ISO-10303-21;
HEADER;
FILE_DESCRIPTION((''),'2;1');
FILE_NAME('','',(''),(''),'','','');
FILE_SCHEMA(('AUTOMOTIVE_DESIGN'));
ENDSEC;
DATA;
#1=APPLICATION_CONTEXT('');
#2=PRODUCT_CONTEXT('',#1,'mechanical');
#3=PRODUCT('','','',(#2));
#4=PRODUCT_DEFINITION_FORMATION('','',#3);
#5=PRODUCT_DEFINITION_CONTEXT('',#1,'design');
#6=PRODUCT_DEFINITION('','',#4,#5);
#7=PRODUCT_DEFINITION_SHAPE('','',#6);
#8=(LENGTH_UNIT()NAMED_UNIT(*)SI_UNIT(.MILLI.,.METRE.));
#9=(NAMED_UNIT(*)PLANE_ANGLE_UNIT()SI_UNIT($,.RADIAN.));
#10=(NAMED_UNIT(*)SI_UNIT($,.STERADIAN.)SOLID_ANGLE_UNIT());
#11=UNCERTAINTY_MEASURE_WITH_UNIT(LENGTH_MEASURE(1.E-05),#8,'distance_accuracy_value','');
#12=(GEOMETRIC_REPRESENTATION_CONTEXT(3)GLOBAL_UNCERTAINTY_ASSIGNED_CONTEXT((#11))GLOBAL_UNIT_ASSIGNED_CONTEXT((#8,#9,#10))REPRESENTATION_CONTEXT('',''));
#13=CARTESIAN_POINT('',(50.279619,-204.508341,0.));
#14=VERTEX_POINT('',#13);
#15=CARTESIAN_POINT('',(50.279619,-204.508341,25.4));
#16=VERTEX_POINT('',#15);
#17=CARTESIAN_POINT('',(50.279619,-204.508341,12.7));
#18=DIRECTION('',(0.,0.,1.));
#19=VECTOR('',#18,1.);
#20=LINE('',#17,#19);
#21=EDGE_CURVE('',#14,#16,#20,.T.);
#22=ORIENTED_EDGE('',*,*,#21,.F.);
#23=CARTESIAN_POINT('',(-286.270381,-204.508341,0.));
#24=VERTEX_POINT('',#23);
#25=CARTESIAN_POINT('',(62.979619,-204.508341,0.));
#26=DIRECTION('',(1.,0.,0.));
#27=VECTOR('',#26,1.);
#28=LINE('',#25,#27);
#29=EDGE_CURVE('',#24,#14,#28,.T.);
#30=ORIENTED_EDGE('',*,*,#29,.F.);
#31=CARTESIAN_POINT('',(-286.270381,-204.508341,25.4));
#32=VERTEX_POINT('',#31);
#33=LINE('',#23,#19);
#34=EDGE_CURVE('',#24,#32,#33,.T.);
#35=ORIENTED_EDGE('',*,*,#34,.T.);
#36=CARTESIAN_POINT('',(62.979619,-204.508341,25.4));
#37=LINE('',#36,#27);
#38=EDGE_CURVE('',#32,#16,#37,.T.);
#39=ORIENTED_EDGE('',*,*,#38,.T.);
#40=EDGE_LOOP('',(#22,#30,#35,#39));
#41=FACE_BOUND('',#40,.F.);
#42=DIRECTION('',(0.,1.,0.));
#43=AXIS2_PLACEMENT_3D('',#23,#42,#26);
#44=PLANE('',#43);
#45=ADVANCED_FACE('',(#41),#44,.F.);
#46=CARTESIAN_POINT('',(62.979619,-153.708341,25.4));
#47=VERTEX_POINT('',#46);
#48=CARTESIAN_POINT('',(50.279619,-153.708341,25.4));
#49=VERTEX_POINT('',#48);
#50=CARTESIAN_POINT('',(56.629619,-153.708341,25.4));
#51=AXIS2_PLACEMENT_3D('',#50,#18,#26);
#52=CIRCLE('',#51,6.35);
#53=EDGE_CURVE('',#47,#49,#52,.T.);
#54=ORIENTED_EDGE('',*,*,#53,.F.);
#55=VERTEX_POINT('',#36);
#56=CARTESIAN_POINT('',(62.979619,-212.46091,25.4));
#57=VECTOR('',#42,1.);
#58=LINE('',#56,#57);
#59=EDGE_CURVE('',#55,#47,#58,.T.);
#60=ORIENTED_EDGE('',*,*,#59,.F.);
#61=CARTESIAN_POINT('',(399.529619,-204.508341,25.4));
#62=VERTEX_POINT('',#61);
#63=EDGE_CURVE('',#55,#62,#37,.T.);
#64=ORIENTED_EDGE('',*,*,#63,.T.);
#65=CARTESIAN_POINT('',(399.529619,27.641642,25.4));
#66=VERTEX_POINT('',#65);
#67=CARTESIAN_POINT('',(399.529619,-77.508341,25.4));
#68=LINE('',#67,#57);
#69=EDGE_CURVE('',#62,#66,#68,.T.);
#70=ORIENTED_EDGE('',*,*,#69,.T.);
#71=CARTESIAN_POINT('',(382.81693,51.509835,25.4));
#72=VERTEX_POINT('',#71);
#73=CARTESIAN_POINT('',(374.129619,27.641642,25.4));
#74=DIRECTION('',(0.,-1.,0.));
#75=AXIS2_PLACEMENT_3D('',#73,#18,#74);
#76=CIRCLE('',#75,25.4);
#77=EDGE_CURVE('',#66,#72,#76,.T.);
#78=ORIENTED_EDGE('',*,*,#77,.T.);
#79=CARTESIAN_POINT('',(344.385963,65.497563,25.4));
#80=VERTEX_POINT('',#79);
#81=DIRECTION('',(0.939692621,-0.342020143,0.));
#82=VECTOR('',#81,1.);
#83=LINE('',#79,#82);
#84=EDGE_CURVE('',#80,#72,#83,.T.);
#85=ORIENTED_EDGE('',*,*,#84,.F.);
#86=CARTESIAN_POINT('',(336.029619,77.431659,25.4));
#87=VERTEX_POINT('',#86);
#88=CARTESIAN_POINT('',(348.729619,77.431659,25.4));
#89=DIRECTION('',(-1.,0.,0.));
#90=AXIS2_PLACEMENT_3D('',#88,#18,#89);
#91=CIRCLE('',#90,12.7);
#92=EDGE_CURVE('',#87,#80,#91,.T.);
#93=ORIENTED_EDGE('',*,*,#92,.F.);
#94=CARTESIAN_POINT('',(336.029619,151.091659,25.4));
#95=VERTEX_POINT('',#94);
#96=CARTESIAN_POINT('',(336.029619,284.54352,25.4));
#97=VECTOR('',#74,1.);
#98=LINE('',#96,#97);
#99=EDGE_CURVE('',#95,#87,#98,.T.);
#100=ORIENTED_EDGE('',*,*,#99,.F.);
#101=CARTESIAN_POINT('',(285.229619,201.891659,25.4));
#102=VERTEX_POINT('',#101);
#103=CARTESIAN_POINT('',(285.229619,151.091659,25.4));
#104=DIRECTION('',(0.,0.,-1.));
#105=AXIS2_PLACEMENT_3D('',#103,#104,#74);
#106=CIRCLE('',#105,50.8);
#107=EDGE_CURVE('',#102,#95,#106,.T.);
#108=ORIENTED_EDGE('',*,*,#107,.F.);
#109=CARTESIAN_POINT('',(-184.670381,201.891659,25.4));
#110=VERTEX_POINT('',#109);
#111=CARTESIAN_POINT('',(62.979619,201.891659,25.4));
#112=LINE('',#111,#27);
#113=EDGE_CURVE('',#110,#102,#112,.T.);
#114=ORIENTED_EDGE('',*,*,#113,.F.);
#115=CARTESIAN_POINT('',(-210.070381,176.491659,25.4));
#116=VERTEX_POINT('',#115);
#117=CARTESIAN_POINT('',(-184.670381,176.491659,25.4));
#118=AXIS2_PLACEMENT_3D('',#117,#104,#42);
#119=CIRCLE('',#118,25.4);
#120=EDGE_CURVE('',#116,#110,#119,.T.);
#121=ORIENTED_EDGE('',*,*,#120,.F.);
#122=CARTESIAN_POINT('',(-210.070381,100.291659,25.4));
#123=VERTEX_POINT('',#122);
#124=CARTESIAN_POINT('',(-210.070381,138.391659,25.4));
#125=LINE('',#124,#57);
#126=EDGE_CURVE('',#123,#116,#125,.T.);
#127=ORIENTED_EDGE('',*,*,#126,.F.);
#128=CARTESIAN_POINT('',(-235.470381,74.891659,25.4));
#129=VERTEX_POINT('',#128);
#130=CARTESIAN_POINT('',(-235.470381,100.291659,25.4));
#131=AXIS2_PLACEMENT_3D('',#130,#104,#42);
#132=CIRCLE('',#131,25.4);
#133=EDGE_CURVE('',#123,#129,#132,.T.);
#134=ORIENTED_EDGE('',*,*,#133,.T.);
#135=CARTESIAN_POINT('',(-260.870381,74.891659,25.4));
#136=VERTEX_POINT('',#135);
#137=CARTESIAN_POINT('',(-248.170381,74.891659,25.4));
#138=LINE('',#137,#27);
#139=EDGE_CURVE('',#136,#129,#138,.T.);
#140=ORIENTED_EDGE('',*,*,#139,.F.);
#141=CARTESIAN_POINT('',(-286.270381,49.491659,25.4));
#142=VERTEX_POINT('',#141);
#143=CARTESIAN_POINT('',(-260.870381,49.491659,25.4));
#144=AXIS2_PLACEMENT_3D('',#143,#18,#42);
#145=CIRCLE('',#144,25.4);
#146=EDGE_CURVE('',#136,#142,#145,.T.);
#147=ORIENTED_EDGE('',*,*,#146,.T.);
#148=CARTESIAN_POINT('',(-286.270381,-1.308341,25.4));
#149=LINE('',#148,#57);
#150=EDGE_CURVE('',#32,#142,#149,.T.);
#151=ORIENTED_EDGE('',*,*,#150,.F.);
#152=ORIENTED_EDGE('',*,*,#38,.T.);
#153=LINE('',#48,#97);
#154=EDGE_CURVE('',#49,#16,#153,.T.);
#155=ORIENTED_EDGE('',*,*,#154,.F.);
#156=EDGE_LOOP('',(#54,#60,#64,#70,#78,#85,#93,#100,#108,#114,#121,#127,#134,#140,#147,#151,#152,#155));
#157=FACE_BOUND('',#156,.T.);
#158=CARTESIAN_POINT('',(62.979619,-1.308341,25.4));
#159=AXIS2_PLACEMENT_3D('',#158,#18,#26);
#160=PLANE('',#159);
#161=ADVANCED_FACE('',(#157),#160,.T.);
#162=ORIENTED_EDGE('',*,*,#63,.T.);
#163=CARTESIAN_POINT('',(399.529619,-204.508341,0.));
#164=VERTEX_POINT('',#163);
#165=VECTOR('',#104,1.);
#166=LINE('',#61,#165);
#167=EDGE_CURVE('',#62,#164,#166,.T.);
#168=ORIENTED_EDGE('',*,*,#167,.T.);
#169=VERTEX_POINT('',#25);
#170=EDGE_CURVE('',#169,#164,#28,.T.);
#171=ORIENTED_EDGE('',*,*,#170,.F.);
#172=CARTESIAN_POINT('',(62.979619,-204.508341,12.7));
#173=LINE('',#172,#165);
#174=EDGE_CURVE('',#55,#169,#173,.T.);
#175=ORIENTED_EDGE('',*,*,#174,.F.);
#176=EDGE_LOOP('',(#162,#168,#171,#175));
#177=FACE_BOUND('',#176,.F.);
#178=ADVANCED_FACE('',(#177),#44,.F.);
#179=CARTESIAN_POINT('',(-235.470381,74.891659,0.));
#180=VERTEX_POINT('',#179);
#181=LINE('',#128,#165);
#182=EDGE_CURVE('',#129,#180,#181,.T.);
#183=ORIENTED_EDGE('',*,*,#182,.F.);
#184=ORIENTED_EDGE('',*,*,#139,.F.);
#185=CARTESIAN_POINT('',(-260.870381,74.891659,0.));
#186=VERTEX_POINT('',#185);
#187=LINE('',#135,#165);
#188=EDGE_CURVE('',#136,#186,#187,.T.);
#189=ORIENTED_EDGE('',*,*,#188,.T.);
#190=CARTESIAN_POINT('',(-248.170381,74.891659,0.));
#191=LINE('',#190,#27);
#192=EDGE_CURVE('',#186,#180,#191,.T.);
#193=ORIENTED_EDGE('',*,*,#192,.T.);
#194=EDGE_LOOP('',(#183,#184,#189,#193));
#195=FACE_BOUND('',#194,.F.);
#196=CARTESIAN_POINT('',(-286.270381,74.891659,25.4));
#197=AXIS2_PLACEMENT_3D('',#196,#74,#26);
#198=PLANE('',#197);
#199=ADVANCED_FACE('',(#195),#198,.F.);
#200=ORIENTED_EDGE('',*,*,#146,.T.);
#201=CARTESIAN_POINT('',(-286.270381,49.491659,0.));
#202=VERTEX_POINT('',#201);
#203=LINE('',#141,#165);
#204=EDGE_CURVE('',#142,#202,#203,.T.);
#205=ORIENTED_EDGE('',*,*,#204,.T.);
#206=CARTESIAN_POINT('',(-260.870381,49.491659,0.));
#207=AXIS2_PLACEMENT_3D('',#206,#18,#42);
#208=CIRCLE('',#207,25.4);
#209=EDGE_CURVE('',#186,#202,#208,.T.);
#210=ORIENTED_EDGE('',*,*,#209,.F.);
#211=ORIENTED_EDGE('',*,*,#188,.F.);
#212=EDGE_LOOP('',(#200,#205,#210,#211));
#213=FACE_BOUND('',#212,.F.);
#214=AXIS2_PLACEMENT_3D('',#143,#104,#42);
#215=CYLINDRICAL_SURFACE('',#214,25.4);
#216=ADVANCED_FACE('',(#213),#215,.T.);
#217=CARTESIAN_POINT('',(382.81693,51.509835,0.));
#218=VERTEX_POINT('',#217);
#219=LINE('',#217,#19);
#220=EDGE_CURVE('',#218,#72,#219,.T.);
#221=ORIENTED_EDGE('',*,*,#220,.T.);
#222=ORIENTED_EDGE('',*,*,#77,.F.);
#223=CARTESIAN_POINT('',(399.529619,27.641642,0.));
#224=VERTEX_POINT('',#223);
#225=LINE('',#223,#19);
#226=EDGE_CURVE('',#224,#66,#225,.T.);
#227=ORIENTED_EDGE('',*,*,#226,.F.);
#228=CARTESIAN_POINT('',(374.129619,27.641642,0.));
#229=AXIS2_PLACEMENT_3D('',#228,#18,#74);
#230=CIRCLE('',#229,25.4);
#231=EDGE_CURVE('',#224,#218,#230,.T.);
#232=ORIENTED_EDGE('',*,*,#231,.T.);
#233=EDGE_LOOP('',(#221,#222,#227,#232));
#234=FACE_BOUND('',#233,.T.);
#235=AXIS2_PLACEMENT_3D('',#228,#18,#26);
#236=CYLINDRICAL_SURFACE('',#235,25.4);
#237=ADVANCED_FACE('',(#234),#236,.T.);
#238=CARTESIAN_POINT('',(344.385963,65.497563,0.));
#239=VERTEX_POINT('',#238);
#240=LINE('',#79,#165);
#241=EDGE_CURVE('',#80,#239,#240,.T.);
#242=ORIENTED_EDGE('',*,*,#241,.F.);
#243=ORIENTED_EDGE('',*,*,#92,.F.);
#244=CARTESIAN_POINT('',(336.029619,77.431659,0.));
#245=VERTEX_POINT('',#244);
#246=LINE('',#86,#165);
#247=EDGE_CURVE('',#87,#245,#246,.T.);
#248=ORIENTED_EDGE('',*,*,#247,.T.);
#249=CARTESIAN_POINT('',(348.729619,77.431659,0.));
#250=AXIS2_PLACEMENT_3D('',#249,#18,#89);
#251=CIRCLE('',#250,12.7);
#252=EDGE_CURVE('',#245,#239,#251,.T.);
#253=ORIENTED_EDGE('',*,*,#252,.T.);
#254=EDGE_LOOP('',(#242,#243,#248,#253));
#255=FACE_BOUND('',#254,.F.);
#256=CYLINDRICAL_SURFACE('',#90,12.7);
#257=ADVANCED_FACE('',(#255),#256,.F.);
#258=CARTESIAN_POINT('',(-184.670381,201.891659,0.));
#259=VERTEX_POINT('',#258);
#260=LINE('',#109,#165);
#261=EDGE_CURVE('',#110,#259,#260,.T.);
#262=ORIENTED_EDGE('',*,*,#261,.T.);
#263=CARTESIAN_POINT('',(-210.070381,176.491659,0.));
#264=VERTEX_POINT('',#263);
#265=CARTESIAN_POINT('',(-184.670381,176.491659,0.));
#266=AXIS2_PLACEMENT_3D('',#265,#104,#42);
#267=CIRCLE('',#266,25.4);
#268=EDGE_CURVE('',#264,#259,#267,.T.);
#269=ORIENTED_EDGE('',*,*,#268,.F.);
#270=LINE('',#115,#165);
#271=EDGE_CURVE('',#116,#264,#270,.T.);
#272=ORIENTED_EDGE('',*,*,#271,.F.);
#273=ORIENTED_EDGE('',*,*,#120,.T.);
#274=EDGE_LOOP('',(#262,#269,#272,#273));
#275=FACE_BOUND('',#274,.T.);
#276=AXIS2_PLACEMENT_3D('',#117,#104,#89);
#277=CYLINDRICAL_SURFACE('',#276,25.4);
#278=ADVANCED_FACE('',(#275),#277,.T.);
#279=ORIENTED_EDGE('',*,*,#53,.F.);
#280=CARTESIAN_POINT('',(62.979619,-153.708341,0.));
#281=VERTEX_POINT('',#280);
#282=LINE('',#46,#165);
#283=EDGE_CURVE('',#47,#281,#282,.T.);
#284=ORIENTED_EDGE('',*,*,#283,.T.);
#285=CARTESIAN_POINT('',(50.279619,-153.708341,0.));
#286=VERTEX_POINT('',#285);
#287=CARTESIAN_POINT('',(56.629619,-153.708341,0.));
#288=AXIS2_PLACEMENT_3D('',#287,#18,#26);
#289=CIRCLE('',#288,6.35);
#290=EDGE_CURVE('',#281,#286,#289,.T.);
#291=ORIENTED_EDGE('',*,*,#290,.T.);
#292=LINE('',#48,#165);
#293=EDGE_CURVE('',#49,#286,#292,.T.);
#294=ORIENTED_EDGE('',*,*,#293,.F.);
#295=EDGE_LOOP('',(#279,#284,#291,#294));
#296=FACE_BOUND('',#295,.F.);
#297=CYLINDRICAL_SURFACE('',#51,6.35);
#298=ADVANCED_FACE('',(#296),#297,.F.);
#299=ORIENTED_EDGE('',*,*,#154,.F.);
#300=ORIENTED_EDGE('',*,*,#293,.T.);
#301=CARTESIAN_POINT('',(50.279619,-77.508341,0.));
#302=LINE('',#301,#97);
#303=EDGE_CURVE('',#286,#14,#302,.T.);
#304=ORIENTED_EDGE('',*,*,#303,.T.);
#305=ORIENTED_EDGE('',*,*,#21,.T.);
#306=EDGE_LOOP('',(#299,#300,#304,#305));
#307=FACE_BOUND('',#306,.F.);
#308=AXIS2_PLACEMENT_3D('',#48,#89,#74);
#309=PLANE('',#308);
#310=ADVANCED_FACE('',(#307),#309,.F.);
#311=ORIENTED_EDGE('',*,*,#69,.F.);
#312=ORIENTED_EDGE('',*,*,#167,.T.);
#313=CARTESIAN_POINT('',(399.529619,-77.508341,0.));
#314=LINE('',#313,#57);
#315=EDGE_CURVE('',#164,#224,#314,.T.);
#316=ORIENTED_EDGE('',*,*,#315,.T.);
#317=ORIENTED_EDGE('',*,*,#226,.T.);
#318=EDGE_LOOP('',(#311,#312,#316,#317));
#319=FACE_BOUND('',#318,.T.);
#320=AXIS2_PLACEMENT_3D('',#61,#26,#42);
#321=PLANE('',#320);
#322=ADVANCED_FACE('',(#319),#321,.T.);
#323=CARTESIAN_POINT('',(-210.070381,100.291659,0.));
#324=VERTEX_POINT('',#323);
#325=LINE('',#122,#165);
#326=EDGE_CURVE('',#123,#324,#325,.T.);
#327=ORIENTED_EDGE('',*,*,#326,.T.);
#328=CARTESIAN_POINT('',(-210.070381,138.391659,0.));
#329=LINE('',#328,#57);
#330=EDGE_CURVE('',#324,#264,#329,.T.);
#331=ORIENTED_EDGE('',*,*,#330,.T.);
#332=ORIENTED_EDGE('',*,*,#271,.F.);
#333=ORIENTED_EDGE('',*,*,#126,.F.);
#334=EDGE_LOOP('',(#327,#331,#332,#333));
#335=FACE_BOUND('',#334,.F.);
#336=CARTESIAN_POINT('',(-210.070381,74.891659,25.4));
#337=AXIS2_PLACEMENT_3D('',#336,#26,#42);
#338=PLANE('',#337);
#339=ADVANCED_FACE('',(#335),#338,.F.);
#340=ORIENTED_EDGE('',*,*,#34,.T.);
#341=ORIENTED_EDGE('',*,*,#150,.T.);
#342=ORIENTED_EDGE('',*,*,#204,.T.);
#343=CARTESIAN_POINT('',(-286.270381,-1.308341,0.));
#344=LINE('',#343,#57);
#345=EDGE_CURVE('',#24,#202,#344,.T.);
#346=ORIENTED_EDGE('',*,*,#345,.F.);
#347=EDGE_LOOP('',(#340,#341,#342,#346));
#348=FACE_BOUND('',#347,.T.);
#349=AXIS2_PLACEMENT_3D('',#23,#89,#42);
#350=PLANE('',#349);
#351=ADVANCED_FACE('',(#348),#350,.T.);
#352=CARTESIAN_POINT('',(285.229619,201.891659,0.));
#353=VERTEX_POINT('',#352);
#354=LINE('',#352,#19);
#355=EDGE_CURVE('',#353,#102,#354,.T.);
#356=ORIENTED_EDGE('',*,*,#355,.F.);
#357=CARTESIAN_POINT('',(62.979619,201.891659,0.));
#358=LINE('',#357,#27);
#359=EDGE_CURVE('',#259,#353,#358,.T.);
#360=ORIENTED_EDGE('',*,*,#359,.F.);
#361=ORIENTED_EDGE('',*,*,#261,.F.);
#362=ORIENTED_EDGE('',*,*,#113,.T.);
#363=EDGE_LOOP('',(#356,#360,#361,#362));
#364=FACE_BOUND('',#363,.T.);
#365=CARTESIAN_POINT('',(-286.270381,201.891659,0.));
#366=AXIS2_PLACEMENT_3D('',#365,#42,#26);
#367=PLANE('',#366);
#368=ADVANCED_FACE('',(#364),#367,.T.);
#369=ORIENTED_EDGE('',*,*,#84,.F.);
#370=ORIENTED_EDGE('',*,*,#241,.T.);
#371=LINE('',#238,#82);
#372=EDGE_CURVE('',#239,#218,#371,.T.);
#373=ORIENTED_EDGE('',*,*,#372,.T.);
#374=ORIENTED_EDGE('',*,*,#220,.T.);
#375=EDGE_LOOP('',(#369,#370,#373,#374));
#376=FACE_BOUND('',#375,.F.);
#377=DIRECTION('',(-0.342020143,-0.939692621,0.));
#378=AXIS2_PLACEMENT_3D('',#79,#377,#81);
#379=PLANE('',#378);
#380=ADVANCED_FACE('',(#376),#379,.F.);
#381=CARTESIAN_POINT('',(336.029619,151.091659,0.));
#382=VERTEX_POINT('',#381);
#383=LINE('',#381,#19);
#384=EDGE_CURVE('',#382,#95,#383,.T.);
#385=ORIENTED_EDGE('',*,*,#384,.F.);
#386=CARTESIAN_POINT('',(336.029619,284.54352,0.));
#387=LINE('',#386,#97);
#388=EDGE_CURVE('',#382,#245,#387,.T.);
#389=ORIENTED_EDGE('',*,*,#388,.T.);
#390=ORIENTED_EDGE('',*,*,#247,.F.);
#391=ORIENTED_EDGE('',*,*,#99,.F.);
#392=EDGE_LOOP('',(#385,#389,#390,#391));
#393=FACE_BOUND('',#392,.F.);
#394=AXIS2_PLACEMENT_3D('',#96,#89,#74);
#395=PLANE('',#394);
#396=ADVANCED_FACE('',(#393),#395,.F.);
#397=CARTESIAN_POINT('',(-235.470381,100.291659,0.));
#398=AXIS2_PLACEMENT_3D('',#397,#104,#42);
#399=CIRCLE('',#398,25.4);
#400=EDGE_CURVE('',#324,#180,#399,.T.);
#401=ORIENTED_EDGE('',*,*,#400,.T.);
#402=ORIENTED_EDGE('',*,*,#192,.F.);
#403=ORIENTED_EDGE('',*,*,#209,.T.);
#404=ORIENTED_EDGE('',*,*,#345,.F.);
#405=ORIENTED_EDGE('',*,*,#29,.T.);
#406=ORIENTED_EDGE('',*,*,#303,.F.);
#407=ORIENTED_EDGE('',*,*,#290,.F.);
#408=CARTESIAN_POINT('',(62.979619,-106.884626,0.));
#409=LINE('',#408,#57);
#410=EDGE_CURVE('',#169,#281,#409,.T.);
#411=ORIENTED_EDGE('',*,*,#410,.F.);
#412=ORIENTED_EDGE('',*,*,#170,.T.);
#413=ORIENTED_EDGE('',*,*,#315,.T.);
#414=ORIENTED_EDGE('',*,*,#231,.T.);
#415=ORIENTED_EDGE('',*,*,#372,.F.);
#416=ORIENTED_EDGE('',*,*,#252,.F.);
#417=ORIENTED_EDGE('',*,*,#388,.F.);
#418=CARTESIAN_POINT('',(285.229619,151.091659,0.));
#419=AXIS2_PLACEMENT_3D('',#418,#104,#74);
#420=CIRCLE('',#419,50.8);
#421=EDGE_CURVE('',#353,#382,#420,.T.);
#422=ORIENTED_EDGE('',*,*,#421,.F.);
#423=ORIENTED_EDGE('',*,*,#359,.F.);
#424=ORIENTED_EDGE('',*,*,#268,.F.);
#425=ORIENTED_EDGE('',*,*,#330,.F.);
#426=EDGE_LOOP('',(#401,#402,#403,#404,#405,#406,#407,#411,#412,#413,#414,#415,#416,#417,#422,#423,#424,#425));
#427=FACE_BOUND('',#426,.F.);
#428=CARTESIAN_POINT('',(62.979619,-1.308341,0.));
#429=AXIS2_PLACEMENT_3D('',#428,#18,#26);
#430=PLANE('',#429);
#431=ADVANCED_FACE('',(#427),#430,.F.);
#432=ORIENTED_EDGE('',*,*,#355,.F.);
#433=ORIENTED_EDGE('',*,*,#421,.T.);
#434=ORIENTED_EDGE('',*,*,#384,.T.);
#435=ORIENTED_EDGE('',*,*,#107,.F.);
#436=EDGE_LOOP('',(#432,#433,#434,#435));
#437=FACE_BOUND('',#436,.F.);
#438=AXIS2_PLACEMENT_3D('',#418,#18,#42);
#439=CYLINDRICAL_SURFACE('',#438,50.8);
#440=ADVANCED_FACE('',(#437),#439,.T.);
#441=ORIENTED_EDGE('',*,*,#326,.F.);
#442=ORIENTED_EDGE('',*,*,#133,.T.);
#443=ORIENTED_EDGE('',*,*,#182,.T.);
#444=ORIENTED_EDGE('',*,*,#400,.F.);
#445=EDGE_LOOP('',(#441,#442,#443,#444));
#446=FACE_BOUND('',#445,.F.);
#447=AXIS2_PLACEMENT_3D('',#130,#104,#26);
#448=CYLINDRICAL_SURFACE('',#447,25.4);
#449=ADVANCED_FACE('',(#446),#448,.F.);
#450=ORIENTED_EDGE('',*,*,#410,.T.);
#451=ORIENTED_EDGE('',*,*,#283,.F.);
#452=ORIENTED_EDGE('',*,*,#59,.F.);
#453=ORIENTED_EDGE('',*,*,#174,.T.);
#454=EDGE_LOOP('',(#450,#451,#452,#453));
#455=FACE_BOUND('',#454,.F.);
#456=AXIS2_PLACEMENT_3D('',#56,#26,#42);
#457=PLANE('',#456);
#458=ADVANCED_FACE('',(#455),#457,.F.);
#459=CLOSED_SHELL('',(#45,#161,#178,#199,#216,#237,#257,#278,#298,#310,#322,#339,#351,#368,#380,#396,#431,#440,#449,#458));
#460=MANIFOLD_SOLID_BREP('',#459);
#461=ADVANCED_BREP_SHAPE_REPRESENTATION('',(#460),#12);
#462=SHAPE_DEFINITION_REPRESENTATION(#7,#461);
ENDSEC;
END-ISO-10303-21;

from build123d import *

# Parameters (mm, degrees)
F0_W      = 698.5
F0_H      = 406.4
F1_DEPTH  = 25.4
F3_DEPTH  = 25.4
F4_W      = 12.7
F4_H      = 254
F5_DEPTH  = 25.4
F6_R      = 50.8
F7_W      = 76.2
F7_H      = 127
F8_DEPTH  = 25.4
F9_R      = 25.4
F10_R     = 25.4
F12_DEPTH = 25.401


with BuildPart() as f1:
    # F0 (on Top) → F1 (new body)
    with BuildSketch(Plane.XY):
        with Locations((62.9796185677, -1.3083405793)):
            Rectangle(F0_W, F0_H)
    extrude(amount=F1_DEPTH)

    # F2 (on face) → F3 (cut)
    with BuildSketch(Plane.XY.offset(25.4)):
        with BuildLine():
            Line((336.0296185677, 284.5435195792), (336.0296185677, 77.4316594207))
            ThreePointArc((336.0296185677, 77.4316594207), (338.3263876052, 70.1472386791), (344.3859627474, 65.4975631367))
            Line((344.3859627474, 65.4975631367), (488.1807398124, 13.1605444421))
            Line((488.1807398124, 13.1605444421), (504.1641078178, 284.5435195792))
            Line((504.1641078178, 284.5435195792), (336.0296185677, 284.5435195792))
        make_face()
    extrude(amount=-F3_DEPTH, mode=Mode.SUBTRACT)

    # F4 (on face) → F5 (cut)
    with BuildSketch(Plane.XY.offset(25.4)):
        with Locations((405.8796185677, -77.5083405793)):
            Rectangle(F4_W, F4_H)
    extrude(amount=-F5_DEPTH, mode=Mode.SUBTRACT)

    # F6
    f6_edges = [f1.edges().sort_by_distance(p)[0] for p in [
        (336.029619, 201.891659, 12.7),
    ]]
    fillet(f6_edges, radius=F6_R)

    # F7 (on face) → F8 (cut)
    with BuildSketch(Plane.XY.offset(25.4)):
        with Locations((-248.1703814323, 138.3916594207)):
            Rectangle(F7_W, F7_H)
    extrude(amount=-F8_DEPTH, mode=Mode.SUBTRACT)

    # F9
    f9_edges = [f1.edges().sort_by_distance(p)[0] for p in [
        (-210.070381, 74.891659, 12.7),
    ]]
    fillet(f9_edges, radius=F9_R)

    # F10
    f10_edges = [f1.edges().sort_by_distance(p)[0] for p in [
        (-210.070381, 201.891659, 12.7),
        (-286.270381, 74.891659, 12.7),
        (399.529619, 45.426914, 12.7),
    ]]
    fillet(f10_edges, radius=F10_R)

    # F11 (on face) → F12 (cut, through all)
    with BuildSketch(Plane.XY.offset(25.4)):
        with BuildLine():
            Line((62.9796185677, -212.4609104405), (62.9796185677, -153.7083405793))
            ThreePointArc((62.9796185677, -153.7083405793), (56.6296185677, -147.3583405793), (50.2796185677, -153.7083405793))
            Line((50.2796185677, -153.7083405793), (50.2796185677, -204.7673902215))
            Line((50.2796185677, -204.7673902215), (62.9796185677, -212.4609104405))
        make_face()
    extrude(amount=-F12_DEPTH, mode=Mode.SUBTRACT)


solid = f1.part
